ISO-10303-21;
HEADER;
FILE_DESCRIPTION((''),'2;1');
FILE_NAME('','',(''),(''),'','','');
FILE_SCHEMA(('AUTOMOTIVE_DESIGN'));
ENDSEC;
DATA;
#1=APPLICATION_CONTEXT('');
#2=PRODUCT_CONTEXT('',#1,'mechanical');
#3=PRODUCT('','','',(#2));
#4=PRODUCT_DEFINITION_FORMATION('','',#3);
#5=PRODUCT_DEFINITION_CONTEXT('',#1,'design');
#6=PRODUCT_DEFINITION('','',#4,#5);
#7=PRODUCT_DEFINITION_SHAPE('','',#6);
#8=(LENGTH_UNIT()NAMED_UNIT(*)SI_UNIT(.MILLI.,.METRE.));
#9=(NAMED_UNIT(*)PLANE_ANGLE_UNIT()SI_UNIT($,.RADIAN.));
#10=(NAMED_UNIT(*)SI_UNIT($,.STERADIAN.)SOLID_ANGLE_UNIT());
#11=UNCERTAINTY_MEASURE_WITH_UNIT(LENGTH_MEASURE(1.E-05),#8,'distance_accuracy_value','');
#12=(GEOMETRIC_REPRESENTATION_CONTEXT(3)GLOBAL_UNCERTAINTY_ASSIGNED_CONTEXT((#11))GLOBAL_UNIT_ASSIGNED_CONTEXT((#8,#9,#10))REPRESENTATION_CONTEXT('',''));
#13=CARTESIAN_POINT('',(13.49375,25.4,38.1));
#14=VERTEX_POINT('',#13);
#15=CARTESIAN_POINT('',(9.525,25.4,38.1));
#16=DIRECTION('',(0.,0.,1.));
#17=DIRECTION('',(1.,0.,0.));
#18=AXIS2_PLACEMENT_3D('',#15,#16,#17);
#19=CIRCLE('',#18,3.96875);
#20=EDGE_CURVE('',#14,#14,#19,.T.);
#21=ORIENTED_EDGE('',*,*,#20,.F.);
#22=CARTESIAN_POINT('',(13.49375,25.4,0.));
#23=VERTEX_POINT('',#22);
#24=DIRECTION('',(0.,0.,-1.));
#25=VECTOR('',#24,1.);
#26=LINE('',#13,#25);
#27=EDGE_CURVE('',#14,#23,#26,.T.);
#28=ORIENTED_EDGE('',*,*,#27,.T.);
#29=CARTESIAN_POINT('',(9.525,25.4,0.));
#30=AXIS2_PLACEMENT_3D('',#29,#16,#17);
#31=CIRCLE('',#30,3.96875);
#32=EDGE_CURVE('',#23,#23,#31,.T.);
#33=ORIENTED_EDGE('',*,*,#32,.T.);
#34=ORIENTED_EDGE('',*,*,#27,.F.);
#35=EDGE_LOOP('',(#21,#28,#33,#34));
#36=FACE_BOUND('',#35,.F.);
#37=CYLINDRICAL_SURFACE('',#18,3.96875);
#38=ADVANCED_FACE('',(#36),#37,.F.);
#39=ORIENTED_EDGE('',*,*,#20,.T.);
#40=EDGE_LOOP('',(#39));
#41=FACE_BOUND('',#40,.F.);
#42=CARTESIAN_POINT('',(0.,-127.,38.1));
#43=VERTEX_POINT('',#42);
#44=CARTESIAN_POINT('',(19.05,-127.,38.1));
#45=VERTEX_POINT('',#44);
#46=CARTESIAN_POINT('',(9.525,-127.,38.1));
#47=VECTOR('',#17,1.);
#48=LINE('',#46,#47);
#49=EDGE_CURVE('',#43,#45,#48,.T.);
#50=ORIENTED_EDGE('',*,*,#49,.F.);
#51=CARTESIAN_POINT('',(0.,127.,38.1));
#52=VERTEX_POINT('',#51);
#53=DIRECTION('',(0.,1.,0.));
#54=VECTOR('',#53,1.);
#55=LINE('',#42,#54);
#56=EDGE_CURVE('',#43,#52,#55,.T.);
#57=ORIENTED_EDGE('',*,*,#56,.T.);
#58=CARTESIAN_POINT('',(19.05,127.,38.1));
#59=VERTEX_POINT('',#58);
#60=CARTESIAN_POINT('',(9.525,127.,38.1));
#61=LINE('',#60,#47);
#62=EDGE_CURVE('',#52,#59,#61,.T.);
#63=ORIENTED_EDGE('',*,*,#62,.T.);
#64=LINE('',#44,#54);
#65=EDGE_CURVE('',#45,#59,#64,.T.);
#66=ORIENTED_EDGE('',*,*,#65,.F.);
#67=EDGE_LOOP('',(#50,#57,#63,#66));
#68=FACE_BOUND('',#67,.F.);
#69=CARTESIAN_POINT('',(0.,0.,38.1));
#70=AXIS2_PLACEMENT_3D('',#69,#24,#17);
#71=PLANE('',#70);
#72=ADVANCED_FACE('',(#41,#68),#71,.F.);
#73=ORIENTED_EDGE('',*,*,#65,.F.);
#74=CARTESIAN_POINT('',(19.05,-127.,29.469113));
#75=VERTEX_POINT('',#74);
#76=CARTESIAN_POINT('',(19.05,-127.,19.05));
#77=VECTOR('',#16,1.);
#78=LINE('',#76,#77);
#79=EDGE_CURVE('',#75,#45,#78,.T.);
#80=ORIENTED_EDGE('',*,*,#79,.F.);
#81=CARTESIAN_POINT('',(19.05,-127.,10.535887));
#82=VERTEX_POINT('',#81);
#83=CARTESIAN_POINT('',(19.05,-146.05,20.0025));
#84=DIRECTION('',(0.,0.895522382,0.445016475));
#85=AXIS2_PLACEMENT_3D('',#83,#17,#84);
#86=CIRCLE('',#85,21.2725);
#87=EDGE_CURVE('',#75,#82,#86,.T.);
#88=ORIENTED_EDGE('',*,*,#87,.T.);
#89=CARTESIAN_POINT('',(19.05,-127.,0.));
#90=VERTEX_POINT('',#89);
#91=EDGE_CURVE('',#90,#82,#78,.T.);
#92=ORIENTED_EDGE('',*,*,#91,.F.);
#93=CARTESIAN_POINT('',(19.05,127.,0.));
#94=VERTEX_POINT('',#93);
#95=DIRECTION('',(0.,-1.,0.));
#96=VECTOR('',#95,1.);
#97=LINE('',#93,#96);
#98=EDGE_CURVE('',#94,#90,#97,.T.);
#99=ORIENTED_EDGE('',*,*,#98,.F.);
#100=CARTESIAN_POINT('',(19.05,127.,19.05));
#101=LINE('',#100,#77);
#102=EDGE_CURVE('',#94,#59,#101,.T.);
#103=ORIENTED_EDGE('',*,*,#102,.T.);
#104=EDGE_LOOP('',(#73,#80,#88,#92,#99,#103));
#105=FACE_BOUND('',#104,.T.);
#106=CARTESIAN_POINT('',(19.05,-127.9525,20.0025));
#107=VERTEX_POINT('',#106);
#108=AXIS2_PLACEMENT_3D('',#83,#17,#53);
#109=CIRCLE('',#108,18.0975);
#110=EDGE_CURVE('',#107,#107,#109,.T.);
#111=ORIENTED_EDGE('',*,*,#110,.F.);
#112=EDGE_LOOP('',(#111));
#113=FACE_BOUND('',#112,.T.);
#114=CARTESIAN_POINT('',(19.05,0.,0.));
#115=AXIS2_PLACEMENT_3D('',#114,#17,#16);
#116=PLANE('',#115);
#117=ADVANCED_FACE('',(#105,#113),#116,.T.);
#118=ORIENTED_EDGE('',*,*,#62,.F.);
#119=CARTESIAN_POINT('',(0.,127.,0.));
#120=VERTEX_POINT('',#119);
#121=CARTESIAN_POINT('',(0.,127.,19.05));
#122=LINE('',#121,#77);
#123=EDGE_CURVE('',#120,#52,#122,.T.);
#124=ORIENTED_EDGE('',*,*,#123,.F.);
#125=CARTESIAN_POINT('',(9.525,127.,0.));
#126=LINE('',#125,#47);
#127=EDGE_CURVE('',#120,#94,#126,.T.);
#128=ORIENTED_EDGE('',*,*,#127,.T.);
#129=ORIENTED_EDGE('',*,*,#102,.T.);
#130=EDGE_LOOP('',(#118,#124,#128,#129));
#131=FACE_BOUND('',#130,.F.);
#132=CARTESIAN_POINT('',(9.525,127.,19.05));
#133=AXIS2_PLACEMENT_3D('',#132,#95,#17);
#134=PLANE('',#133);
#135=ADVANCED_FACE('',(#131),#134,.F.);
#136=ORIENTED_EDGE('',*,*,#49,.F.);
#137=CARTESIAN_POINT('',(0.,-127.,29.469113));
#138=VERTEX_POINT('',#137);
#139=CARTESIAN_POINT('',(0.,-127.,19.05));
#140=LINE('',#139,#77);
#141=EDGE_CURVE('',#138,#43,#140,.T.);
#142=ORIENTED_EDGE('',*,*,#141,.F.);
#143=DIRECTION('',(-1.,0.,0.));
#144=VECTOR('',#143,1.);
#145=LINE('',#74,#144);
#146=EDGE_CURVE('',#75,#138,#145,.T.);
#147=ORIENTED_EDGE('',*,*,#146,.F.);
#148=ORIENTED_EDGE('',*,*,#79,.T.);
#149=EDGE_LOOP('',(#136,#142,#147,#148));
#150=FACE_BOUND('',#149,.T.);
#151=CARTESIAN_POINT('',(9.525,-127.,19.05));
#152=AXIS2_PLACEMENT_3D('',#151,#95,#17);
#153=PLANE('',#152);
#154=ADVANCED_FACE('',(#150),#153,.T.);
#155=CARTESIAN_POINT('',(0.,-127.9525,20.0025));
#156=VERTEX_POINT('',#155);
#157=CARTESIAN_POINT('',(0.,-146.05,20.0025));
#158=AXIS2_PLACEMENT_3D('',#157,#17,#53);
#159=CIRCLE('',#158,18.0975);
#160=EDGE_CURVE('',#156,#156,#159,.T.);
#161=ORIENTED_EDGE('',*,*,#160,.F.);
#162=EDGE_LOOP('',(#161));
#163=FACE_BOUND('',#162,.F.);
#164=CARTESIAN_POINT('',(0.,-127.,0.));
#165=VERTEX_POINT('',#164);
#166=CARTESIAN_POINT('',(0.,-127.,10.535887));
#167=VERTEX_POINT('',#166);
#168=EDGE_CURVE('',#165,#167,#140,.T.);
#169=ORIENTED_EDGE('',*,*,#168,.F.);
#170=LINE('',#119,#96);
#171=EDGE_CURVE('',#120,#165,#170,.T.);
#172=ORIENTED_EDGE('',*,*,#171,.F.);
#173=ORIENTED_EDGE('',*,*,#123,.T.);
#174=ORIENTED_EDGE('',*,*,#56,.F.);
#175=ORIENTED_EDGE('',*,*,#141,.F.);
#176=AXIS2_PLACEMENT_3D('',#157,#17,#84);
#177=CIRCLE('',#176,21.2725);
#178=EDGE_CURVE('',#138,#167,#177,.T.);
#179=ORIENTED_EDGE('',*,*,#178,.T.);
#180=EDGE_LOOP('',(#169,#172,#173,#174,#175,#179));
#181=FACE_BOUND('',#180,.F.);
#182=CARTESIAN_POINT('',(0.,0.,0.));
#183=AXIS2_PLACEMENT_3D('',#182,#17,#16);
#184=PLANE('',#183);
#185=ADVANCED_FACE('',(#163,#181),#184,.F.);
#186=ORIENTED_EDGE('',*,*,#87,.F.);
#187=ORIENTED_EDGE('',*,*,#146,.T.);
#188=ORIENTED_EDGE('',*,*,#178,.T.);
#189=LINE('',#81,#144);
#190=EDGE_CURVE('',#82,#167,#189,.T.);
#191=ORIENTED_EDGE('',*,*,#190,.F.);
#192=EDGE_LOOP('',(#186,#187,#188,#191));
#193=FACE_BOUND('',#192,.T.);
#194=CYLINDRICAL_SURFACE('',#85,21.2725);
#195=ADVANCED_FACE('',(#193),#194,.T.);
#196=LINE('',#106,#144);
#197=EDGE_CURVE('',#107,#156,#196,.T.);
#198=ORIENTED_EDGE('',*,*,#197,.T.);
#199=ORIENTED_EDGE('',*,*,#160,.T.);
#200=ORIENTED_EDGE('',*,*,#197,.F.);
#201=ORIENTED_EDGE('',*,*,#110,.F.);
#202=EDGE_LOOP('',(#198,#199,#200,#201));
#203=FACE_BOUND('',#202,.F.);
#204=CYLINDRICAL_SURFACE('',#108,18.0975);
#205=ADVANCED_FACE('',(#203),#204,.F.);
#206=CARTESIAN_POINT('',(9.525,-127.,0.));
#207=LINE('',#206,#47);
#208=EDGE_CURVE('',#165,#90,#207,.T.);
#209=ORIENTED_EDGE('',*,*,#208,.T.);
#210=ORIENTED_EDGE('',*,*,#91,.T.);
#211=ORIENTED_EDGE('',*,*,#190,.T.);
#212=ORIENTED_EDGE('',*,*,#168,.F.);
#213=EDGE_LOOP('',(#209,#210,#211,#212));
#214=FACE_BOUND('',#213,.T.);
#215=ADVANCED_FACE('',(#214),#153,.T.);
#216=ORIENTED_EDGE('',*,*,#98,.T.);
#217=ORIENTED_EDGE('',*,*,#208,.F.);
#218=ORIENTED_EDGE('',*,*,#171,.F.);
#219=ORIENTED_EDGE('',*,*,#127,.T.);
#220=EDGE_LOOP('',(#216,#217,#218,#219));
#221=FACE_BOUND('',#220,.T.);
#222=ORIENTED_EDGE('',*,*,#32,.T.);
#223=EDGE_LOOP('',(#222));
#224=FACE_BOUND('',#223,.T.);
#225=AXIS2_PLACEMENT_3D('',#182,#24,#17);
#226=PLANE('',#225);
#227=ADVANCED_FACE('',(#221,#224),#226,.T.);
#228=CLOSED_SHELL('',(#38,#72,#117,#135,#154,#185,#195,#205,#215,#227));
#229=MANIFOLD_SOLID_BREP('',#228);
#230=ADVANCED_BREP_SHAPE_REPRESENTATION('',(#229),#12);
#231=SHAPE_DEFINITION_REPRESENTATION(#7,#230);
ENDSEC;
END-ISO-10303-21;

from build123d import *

# Parameters (mm, degrees)
F0_W     = 19.05
F0_H     = 38.1
F1_DEPTH = 127
F2_R     = 18.0975
F3_DEPTH = 19.05
F5_R     = 3.96875
F6_DEPTH = 39.371


with BuildPart() as f1:
    # F0 (on Front) → F1 (new body, symmetric)
    with BuildSketch(Plane.XZ):
        with Locations((9.525, 19.05)):
            Rectangle(F0_W, F0_H)
    extrude(amount=F1_DEPTH, both=True)


with BuildPart() as f3:
    # F2 (on face) → F3 (new body)
    with BuildSketch(Plane.YZ.offset(19.05)):
        with BuildLine():
            Line((-127, 10.535887), (-127, 29.469113))
            ThreePointArc((-127, 29.469113), (-167.3225, 20.0025), (-127, 10.535887))
        make_face()
        with Locations((-146.05, 20.0025)):
            Circle(F2_R, mode=Mode.SUBTRACT)
    extrude(amount=-F3_DEPTH)

    # F4: union F1
    add(f1.part)

    # F5 (on face) → F6 (cut, through all)
    with BuildSketch(Plane.XY.offset(38.1)):
        with Locations((9.525, 25.4)):
            Circle(F5_R)
    extrude(amount=-F6_DEPTH, mode=Mode.SUBTRACT)


solid = f3.part
